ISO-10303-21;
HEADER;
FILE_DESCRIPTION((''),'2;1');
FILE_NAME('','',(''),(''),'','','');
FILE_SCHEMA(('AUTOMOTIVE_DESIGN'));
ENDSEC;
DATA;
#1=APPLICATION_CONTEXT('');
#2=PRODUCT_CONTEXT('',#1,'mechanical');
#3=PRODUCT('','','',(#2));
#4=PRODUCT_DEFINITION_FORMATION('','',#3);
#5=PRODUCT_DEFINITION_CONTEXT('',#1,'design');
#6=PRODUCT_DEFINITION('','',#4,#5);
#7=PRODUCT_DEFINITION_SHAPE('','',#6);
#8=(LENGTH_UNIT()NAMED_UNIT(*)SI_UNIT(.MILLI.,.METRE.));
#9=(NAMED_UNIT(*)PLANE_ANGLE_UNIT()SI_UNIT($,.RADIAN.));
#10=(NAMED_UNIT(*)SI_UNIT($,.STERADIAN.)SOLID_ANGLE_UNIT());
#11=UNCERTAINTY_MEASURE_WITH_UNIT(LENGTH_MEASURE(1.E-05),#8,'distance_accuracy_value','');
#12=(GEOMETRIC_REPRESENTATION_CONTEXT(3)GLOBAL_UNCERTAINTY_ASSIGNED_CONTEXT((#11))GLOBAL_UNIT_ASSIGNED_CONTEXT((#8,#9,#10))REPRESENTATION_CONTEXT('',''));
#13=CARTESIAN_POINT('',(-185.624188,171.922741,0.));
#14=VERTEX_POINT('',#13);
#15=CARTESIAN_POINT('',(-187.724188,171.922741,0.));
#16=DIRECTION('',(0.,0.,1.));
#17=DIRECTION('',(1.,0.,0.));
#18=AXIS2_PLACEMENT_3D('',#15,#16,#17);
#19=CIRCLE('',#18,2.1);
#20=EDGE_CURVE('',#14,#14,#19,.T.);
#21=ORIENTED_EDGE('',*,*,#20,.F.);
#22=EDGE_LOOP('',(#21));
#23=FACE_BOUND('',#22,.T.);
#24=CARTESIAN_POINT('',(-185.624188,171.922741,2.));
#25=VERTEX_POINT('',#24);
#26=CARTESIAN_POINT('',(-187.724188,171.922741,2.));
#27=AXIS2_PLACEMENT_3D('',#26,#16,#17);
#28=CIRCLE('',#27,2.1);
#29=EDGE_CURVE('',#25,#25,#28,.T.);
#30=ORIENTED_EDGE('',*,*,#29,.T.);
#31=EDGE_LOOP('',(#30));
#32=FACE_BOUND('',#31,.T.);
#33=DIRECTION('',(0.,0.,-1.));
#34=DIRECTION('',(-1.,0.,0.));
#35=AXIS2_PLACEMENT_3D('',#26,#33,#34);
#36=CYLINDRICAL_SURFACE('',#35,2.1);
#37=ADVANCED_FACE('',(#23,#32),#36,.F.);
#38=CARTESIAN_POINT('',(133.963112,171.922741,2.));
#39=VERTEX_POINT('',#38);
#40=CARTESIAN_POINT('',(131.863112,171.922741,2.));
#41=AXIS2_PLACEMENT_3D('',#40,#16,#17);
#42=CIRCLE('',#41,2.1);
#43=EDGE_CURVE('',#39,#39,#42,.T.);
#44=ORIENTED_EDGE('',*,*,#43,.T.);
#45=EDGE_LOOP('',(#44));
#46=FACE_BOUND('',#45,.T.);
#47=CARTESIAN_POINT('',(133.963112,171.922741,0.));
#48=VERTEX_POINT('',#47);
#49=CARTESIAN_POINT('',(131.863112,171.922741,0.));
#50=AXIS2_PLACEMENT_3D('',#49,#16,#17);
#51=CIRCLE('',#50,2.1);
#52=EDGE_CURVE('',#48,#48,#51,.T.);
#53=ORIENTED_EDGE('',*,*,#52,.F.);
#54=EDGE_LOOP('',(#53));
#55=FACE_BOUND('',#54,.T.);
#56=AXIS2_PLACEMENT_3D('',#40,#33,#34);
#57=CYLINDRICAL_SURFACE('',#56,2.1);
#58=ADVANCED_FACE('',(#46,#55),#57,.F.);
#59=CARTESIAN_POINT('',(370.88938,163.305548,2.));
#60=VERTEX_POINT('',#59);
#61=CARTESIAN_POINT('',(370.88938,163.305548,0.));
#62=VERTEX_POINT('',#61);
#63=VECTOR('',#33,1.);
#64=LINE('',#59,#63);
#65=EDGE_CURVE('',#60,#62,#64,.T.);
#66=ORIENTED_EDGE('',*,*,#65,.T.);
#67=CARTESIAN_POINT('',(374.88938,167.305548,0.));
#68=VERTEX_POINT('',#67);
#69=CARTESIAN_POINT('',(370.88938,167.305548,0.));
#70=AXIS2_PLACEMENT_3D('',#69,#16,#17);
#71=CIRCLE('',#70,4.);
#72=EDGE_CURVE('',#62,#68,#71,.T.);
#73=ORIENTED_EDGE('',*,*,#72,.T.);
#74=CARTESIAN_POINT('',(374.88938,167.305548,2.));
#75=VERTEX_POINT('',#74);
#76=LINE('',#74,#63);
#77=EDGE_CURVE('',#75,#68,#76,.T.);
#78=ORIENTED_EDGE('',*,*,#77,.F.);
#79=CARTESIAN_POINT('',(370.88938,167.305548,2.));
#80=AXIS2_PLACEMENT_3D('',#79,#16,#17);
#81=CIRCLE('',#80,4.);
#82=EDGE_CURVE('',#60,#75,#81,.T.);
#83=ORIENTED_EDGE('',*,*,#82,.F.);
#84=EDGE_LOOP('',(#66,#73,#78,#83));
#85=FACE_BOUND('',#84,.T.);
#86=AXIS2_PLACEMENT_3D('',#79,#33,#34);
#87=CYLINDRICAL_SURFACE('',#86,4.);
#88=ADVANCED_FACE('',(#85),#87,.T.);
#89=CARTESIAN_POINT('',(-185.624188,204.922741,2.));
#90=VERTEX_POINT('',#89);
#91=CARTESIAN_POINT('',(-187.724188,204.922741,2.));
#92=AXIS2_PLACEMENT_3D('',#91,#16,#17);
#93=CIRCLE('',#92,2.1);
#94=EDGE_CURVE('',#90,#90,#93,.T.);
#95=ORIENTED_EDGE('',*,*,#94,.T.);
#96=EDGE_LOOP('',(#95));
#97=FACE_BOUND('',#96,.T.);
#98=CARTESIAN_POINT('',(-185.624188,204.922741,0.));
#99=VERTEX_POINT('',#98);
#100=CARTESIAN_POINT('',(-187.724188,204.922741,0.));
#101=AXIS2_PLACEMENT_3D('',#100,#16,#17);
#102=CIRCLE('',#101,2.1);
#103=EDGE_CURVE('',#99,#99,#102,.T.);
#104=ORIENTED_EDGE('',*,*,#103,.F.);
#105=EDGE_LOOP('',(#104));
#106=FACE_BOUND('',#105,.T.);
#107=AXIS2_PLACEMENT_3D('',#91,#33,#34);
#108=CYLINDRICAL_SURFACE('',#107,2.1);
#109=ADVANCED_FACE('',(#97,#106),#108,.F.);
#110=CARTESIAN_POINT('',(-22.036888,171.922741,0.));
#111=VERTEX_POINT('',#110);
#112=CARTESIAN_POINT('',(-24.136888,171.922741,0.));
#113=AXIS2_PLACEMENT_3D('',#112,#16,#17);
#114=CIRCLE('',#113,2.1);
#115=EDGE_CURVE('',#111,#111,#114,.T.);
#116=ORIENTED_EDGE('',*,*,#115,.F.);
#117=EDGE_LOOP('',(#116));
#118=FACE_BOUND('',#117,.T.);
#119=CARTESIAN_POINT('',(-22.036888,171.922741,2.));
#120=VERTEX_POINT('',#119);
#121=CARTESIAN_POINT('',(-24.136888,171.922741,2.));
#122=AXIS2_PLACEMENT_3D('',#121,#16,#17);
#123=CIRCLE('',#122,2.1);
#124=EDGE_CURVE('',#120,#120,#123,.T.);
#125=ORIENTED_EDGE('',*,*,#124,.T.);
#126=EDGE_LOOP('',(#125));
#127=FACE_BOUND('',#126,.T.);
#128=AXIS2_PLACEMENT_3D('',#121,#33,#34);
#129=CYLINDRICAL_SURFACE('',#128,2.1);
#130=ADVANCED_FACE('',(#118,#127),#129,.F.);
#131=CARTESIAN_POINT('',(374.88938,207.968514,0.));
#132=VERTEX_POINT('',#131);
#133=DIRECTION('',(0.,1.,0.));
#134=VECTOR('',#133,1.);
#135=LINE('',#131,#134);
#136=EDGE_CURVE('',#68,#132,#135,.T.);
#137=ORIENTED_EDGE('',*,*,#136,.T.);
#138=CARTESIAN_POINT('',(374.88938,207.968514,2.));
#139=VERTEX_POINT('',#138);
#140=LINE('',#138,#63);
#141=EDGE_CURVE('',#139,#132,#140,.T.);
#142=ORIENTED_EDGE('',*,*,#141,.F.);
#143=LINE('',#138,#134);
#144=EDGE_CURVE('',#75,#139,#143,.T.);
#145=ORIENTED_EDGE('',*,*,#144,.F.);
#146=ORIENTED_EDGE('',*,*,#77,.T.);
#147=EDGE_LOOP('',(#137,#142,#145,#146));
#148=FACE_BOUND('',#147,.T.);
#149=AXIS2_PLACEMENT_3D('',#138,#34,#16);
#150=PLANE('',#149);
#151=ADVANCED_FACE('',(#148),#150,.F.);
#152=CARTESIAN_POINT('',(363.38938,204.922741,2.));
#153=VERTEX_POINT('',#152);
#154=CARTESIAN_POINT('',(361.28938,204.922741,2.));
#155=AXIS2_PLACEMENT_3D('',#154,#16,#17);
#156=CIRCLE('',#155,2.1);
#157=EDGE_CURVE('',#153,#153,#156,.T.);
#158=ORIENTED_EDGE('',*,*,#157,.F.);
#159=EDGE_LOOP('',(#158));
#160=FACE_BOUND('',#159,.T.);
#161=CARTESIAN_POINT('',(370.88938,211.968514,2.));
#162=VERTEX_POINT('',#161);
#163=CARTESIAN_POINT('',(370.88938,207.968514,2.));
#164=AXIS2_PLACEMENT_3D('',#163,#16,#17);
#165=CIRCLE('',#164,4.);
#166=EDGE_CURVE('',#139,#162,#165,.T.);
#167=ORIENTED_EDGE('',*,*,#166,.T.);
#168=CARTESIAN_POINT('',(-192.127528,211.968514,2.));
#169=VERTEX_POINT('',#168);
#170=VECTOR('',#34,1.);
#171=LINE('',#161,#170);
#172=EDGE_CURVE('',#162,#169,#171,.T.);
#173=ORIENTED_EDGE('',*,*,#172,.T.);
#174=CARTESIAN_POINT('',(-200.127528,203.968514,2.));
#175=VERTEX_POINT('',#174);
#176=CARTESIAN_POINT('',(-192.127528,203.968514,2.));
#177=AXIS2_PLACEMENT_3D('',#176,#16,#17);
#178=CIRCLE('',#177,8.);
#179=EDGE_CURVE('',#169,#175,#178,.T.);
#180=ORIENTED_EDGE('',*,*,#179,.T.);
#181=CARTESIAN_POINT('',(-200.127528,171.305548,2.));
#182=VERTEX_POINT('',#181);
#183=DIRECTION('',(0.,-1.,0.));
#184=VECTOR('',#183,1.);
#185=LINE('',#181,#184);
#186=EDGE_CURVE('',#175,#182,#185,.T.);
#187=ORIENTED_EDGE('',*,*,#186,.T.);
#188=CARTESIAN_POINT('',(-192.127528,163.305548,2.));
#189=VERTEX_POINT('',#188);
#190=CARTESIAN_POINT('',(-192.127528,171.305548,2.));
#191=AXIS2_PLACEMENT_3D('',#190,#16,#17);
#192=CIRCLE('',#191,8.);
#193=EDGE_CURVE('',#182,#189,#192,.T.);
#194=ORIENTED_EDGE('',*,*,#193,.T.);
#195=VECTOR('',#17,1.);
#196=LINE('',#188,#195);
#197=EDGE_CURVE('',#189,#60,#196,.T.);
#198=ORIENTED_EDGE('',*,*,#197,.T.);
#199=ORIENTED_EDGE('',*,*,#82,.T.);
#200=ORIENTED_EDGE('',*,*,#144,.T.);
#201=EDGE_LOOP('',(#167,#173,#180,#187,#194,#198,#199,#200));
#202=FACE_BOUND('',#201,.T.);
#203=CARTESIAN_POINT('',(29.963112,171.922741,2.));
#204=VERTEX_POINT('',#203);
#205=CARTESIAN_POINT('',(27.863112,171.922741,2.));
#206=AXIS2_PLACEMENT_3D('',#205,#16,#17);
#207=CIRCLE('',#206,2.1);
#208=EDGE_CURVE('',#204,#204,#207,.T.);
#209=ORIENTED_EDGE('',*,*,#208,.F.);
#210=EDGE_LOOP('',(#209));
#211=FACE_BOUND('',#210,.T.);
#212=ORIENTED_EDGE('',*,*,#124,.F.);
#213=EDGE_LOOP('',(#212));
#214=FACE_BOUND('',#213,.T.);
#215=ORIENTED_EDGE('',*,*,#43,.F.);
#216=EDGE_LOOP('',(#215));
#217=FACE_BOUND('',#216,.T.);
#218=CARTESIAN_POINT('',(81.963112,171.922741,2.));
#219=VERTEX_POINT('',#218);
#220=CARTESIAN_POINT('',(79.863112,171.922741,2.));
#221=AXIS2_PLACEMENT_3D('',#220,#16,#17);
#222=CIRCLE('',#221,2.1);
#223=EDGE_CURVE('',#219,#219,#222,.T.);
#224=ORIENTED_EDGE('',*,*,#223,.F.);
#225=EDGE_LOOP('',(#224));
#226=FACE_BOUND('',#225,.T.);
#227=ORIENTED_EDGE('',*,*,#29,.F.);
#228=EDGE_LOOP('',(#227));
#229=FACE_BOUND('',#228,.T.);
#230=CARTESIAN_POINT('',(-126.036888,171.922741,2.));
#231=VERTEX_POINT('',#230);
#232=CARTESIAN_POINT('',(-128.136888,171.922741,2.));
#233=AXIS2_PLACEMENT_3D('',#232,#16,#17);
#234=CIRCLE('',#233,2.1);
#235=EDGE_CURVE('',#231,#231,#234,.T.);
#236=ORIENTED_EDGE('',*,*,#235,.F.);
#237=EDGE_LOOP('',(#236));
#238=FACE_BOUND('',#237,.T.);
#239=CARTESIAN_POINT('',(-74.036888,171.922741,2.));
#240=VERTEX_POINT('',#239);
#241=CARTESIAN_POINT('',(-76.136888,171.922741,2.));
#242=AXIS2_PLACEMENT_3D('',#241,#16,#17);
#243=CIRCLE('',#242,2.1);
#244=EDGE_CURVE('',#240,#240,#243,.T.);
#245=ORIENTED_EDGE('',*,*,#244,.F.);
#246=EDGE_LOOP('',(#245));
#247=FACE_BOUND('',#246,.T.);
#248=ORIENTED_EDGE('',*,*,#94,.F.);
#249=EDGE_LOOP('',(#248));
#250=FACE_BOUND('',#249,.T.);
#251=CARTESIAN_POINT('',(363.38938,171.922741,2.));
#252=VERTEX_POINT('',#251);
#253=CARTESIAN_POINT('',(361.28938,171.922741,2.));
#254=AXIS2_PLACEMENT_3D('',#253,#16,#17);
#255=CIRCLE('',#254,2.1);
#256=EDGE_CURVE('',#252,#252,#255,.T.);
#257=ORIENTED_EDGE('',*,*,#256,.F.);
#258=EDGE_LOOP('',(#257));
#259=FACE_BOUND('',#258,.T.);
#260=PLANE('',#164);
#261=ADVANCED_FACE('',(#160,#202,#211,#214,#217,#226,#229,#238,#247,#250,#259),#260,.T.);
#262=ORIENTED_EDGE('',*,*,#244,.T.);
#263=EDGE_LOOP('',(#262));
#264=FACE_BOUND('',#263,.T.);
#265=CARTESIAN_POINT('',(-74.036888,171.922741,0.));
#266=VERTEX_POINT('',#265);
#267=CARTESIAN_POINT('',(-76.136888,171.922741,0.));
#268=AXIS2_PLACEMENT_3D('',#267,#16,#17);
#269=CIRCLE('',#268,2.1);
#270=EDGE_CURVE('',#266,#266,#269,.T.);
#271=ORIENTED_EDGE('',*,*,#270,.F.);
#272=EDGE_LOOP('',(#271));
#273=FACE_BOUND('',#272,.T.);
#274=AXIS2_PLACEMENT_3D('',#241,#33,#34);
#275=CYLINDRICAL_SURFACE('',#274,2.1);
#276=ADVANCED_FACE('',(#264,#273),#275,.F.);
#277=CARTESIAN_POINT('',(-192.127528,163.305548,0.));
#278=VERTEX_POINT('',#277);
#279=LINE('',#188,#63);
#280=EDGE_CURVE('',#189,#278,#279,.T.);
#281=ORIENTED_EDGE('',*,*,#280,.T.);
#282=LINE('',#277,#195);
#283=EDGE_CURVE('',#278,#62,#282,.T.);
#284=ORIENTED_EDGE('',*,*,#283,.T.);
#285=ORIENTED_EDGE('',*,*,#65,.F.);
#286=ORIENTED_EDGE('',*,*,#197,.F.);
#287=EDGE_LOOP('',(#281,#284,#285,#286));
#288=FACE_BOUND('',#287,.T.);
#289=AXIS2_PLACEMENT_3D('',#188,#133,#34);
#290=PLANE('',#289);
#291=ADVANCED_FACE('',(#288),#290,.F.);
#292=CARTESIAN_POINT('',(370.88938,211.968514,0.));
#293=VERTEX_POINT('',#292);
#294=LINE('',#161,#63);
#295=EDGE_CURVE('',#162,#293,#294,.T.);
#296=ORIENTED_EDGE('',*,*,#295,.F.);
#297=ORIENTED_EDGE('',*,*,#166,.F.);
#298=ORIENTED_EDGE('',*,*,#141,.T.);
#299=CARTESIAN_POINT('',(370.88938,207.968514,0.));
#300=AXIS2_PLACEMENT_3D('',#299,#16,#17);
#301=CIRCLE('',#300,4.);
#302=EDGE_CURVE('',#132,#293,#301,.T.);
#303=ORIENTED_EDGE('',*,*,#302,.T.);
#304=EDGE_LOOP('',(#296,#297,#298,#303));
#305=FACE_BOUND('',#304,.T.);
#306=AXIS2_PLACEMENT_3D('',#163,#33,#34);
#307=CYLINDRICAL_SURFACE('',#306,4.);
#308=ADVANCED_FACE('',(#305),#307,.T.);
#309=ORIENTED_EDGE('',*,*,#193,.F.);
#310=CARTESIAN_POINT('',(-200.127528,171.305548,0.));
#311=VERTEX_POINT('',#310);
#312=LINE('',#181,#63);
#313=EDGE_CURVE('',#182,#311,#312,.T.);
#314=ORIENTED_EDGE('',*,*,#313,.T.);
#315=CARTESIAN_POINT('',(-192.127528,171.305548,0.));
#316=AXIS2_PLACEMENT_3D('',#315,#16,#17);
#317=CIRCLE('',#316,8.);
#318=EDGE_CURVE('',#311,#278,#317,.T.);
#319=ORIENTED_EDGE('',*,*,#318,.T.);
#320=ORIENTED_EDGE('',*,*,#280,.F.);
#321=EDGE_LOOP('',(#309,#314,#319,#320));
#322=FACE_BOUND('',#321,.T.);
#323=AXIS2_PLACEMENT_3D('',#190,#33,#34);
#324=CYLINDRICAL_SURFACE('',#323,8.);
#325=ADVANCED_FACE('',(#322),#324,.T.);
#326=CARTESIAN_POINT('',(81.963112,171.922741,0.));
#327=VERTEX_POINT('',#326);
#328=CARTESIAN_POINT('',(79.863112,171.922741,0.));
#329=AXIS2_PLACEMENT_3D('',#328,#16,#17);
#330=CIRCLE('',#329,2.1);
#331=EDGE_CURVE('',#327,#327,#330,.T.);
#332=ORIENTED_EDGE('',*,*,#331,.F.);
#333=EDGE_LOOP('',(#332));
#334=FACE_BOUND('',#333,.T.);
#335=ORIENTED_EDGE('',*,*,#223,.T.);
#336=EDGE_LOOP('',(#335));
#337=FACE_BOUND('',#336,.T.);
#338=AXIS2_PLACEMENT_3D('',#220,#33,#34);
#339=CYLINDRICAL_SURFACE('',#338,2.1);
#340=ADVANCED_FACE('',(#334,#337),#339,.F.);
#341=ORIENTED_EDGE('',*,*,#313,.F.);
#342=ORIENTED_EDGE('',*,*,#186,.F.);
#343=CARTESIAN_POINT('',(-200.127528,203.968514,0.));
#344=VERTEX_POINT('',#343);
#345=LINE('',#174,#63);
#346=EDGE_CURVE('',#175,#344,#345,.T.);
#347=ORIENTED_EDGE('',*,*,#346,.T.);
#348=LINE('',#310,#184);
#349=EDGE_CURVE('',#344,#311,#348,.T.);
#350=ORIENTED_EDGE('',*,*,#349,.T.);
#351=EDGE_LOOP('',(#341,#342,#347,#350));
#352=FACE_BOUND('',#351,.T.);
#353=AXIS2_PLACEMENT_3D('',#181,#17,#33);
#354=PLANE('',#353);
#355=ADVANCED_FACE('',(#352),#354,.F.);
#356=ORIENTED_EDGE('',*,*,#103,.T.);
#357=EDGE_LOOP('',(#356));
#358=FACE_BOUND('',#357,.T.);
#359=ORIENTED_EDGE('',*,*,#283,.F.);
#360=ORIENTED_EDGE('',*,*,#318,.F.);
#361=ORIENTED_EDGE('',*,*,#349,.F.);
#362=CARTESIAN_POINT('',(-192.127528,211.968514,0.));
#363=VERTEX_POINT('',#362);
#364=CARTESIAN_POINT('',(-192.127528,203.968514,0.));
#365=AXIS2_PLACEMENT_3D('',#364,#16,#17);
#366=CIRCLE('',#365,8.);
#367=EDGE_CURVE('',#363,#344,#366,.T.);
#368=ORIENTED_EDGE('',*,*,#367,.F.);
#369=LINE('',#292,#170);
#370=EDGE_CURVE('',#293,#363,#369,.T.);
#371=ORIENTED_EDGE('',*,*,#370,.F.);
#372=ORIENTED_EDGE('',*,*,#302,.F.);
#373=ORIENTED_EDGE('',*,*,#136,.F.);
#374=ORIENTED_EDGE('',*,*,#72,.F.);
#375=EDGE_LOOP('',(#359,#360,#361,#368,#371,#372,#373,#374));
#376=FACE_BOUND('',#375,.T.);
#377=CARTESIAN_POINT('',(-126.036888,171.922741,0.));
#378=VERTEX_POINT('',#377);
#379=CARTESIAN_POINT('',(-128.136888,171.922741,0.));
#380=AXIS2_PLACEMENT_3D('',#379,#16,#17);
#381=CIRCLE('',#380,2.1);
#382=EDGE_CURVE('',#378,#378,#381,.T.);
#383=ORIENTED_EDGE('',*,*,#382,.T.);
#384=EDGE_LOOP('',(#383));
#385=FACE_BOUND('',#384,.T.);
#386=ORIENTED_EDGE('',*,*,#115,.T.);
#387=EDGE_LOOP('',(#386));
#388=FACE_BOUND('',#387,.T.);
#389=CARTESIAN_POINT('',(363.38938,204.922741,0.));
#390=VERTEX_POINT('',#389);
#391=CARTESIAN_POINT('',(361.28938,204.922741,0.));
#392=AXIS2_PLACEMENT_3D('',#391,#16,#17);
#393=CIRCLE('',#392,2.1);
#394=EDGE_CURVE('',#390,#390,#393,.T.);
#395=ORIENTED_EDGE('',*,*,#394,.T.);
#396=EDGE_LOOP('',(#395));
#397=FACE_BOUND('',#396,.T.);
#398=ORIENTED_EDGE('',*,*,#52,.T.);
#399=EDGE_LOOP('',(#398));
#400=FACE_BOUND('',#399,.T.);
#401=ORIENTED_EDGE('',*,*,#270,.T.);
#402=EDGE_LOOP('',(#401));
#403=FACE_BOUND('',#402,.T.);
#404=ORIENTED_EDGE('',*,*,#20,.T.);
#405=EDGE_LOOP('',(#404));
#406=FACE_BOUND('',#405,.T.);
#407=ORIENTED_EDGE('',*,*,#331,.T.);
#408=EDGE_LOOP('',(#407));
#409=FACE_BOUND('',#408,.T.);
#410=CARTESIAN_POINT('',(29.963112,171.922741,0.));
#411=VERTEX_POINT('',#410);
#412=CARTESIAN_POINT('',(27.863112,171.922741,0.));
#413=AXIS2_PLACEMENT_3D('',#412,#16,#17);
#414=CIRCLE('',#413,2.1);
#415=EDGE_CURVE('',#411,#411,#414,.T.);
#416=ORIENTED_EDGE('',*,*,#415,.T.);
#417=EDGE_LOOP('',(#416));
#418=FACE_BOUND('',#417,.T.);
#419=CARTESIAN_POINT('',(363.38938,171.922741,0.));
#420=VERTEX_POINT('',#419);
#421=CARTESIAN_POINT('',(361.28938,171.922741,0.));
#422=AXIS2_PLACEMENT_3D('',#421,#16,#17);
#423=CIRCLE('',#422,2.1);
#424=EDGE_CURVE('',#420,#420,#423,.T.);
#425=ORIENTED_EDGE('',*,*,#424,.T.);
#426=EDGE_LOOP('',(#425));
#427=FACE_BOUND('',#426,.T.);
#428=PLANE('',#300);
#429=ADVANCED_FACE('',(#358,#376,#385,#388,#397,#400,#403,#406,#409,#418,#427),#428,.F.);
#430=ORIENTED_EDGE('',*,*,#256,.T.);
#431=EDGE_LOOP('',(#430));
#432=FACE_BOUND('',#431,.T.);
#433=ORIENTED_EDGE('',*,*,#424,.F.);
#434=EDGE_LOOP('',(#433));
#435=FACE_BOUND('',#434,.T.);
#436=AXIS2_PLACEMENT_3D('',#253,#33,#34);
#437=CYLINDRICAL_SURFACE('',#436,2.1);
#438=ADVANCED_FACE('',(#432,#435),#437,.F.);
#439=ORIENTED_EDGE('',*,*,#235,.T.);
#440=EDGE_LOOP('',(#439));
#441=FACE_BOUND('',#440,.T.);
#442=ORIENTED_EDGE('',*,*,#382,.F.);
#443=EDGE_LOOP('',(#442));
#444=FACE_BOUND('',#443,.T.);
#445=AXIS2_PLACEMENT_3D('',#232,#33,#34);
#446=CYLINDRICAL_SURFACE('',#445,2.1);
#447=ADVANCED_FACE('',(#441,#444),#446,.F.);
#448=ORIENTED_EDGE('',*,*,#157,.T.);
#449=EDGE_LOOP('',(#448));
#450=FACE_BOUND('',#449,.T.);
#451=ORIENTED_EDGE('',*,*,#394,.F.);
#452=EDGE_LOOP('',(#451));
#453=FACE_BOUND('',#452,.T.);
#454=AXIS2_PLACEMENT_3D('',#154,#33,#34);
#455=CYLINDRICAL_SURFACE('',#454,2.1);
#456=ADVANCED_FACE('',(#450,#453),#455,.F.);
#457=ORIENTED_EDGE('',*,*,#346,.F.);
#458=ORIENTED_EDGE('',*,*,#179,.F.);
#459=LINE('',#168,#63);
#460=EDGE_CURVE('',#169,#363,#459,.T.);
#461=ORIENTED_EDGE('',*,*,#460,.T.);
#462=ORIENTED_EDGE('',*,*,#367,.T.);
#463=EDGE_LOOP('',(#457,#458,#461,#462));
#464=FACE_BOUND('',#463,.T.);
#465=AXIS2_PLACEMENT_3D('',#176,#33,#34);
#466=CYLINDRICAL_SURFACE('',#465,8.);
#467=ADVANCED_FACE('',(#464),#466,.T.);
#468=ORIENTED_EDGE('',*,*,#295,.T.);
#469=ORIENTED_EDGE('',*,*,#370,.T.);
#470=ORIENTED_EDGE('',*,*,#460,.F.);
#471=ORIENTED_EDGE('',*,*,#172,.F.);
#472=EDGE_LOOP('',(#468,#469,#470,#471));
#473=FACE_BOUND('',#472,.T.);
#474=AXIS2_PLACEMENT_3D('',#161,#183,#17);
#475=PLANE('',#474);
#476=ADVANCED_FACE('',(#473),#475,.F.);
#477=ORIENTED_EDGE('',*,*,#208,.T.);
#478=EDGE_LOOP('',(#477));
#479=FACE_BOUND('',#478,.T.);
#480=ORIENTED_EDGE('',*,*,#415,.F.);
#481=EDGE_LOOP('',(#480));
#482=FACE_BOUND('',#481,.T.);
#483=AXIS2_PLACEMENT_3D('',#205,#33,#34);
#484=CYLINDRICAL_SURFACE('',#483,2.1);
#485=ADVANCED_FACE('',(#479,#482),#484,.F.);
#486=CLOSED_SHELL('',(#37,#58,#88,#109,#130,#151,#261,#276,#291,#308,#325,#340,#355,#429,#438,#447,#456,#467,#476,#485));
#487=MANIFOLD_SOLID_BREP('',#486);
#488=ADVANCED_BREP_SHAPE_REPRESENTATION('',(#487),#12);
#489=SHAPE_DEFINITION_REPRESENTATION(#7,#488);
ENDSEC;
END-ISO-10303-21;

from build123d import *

# Parameters (mm, degrees)
MODEL_R            = 2.1
BOSS_EXTRU_1_DEPTH = 2


with BuildPart() as part:
    # Model → Boss.-Extru.1 (new body)
    with BuildSketch(Plane.XY):
        with BuildLine():
            Line((370.889379555, 211.968513878), (-192.127528462, 211.968513878))
            ThreePointArc((-192.127528462, 211.968513878), (-197.784382711, 209.625368128), (-200.127528462, 203.968513878))
            Line((-200.127528462, 203.968513878), (-200.127528462, 171.305548092))
            ThreePointArc((-200.127528462, 171.305548092), (-197.784382711, 165.648693842), (-192.127528462, 163.305548092))
            Line((-192.127528462, 163.305548092), (370.889379555, 163.305548092))
            ThreePointArc((370.889379555, 163.305548092), (373.71780668, 164.477120967), (374.889379555, 167.305548092))
            Line((374.889379555, 167.305548092), (374.889379555, 207.968513878))
            ThreePointArc((374.889379555, 207.968513878), (373.71780668, 210.796941003), (370.889379555, 211.968513878))
        make_face()
        with Locations((361.289379555, 204.922740721)):
            Circle(MODEL_R, mode=Mode.SUBTRACT)
        with Locations((-187.724187677, 204.922740721)):
            Circle(MODEL_R, mode=Mode.SUBTRACT)
        with Locations((-76.136887709, 171.922740721)):
            Circle(MODEL_R, mode=Mode.SUBTRACT)
        with Locations((-24.136887709, 171.922740721)):
            Circle(MODEL_R, mode=Mode.SUBTRACT)
        with Locations((-128.136887709, 171.922740721)):
            Circle(MODEL_R, mode=Mode.SUBTRACT)
        with Locations((131.863112291, 171.922740721)):
            Circle(MODEL_R, mode=Mode.SUBTRACT)
        with Locations((79.863112291, 171.922740721)):
            Circle(MODEL_R, mode=Mode.SUBTRACT)
        with Locations((27.863112291, 171.922740721)):
            Circle(MODEL_R, mode=Mode.SUBTRACT)
        with Locations((361.289379555, 171.922740721)):
            Circle(MODEL_R, mode=Mode.SUBTRACT)
        with Locations((-187.724187677, 171.922740721)):
            Circle(MODEL_R, mode=Mode.SUBTRACT)
    extrude(amount=BOSS_EXTRU_1_DEPTH)


solid = part.part
